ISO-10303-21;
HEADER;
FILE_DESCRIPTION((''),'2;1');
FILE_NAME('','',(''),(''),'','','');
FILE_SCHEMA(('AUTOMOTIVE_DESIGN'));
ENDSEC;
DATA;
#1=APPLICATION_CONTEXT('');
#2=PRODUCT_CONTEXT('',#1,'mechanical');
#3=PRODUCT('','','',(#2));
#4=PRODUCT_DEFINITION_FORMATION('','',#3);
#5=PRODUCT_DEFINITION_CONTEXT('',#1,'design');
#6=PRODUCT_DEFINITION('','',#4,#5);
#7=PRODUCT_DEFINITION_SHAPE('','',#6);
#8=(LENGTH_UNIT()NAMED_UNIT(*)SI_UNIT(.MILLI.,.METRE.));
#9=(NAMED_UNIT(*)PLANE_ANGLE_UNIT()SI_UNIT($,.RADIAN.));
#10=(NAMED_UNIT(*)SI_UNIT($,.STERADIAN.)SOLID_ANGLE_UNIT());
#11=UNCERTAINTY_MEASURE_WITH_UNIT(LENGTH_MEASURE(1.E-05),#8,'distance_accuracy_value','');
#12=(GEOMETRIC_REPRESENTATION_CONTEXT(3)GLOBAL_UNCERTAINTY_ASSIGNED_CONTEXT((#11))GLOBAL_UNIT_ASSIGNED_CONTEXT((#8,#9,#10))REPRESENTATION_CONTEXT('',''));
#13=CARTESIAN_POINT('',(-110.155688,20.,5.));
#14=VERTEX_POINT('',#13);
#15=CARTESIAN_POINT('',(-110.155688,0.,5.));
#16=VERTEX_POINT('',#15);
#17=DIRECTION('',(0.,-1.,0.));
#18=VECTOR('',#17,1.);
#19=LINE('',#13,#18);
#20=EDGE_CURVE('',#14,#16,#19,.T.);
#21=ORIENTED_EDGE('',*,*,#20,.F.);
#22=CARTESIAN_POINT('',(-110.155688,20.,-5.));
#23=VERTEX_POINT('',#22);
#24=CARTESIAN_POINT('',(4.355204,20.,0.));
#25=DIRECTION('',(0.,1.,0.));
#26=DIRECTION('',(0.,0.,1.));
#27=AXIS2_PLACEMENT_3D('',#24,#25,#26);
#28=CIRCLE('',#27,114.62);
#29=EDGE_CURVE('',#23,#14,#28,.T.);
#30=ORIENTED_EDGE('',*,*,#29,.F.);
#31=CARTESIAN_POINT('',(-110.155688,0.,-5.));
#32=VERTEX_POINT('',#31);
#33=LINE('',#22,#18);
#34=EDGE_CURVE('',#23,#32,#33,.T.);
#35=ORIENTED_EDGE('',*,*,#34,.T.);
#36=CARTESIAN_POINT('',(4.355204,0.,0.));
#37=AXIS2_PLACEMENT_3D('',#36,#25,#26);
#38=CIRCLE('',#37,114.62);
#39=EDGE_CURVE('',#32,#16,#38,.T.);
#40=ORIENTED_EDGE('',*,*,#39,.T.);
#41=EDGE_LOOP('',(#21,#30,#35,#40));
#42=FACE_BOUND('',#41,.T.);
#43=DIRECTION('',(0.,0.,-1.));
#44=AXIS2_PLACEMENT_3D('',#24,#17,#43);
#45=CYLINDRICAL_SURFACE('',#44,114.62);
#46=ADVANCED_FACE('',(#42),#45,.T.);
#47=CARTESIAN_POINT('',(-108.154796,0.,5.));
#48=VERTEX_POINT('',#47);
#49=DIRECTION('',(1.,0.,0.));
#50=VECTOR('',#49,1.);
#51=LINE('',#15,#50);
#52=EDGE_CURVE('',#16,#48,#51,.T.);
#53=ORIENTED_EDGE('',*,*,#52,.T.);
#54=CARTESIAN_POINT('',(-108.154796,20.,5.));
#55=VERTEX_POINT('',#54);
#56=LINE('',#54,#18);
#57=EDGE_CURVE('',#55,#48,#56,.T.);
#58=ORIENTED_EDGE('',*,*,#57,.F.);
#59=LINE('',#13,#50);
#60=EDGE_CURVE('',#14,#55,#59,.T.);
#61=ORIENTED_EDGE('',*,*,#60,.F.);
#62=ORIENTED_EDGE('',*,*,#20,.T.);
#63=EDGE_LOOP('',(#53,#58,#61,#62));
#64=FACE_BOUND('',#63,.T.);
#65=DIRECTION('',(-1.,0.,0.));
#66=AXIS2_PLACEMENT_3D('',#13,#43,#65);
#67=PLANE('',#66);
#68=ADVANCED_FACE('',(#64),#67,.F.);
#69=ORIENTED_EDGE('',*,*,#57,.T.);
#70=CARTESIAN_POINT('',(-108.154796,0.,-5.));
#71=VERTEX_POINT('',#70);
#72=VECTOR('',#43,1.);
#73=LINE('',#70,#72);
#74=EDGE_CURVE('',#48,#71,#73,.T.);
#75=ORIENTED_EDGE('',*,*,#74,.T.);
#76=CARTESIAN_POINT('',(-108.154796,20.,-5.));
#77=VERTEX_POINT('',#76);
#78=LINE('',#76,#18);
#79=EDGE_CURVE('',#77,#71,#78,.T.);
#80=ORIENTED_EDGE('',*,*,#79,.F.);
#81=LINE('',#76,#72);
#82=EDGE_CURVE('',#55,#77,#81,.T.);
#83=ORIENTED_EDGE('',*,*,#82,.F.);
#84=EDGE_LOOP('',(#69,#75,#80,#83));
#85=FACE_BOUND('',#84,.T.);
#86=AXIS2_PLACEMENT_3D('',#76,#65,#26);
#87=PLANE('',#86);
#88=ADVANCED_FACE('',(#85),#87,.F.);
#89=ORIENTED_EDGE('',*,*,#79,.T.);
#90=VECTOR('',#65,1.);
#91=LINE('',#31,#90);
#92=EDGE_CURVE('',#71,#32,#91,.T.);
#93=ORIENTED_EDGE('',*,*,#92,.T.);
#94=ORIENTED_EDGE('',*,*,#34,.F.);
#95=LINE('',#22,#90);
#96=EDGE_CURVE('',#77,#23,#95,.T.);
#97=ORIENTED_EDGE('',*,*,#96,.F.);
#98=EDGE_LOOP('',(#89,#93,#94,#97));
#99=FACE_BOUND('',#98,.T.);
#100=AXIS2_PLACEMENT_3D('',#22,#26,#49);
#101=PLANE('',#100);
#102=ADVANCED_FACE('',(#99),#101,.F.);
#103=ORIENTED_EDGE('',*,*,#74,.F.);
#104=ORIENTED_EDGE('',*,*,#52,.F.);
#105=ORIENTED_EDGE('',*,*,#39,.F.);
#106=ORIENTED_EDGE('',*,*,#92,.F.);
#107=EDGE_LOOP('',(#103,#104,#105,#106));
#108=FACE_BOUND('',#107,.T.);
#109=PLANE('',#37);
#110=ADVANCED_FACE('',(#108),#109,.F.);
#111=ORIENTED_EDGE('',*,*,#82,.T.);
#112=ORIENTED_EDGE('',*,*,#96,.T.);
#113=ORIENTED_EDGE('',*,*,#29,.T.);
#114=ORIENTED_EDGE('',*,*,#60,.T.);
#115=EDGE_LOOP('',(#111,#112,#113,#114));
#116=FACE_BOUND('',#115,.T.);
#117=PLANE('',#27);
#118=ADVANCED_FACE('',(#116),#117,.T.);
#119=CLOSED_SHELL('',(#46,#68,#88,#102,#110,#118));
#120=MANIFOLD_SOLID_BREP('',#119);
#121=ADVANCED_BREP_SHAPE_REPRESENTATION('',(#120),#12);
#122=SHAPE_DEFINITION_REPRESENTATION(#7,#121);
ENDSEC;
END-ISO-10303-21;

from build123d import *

# Parameters (mm, degrees)
EXTRUDE_1_DEPTH = 20


with BuildPart() as part:
    # 草图1 → 凸台-拉伸1 (new body)
    with BuildSketch(Plane(origin=(0, 0, 0), x_dir=(1, 0, 0), z_dir=(0, 1, 0))):
        with BuildLine():
            Line((-110.155687724, 5), (-108.154795665, 5))
            Line((-108.154795665, 5), (-108.154795665, -5))
            Line((-108.154795665, -5), (-110.155687724, -5))
            ThreePointArc((-110.155687724, -5), (-110.264795665, 0), (-110.155687724, 5))
        make_face()
    extrude(amount=EXTRUDE_1_DEPTH)


solid = part.part
